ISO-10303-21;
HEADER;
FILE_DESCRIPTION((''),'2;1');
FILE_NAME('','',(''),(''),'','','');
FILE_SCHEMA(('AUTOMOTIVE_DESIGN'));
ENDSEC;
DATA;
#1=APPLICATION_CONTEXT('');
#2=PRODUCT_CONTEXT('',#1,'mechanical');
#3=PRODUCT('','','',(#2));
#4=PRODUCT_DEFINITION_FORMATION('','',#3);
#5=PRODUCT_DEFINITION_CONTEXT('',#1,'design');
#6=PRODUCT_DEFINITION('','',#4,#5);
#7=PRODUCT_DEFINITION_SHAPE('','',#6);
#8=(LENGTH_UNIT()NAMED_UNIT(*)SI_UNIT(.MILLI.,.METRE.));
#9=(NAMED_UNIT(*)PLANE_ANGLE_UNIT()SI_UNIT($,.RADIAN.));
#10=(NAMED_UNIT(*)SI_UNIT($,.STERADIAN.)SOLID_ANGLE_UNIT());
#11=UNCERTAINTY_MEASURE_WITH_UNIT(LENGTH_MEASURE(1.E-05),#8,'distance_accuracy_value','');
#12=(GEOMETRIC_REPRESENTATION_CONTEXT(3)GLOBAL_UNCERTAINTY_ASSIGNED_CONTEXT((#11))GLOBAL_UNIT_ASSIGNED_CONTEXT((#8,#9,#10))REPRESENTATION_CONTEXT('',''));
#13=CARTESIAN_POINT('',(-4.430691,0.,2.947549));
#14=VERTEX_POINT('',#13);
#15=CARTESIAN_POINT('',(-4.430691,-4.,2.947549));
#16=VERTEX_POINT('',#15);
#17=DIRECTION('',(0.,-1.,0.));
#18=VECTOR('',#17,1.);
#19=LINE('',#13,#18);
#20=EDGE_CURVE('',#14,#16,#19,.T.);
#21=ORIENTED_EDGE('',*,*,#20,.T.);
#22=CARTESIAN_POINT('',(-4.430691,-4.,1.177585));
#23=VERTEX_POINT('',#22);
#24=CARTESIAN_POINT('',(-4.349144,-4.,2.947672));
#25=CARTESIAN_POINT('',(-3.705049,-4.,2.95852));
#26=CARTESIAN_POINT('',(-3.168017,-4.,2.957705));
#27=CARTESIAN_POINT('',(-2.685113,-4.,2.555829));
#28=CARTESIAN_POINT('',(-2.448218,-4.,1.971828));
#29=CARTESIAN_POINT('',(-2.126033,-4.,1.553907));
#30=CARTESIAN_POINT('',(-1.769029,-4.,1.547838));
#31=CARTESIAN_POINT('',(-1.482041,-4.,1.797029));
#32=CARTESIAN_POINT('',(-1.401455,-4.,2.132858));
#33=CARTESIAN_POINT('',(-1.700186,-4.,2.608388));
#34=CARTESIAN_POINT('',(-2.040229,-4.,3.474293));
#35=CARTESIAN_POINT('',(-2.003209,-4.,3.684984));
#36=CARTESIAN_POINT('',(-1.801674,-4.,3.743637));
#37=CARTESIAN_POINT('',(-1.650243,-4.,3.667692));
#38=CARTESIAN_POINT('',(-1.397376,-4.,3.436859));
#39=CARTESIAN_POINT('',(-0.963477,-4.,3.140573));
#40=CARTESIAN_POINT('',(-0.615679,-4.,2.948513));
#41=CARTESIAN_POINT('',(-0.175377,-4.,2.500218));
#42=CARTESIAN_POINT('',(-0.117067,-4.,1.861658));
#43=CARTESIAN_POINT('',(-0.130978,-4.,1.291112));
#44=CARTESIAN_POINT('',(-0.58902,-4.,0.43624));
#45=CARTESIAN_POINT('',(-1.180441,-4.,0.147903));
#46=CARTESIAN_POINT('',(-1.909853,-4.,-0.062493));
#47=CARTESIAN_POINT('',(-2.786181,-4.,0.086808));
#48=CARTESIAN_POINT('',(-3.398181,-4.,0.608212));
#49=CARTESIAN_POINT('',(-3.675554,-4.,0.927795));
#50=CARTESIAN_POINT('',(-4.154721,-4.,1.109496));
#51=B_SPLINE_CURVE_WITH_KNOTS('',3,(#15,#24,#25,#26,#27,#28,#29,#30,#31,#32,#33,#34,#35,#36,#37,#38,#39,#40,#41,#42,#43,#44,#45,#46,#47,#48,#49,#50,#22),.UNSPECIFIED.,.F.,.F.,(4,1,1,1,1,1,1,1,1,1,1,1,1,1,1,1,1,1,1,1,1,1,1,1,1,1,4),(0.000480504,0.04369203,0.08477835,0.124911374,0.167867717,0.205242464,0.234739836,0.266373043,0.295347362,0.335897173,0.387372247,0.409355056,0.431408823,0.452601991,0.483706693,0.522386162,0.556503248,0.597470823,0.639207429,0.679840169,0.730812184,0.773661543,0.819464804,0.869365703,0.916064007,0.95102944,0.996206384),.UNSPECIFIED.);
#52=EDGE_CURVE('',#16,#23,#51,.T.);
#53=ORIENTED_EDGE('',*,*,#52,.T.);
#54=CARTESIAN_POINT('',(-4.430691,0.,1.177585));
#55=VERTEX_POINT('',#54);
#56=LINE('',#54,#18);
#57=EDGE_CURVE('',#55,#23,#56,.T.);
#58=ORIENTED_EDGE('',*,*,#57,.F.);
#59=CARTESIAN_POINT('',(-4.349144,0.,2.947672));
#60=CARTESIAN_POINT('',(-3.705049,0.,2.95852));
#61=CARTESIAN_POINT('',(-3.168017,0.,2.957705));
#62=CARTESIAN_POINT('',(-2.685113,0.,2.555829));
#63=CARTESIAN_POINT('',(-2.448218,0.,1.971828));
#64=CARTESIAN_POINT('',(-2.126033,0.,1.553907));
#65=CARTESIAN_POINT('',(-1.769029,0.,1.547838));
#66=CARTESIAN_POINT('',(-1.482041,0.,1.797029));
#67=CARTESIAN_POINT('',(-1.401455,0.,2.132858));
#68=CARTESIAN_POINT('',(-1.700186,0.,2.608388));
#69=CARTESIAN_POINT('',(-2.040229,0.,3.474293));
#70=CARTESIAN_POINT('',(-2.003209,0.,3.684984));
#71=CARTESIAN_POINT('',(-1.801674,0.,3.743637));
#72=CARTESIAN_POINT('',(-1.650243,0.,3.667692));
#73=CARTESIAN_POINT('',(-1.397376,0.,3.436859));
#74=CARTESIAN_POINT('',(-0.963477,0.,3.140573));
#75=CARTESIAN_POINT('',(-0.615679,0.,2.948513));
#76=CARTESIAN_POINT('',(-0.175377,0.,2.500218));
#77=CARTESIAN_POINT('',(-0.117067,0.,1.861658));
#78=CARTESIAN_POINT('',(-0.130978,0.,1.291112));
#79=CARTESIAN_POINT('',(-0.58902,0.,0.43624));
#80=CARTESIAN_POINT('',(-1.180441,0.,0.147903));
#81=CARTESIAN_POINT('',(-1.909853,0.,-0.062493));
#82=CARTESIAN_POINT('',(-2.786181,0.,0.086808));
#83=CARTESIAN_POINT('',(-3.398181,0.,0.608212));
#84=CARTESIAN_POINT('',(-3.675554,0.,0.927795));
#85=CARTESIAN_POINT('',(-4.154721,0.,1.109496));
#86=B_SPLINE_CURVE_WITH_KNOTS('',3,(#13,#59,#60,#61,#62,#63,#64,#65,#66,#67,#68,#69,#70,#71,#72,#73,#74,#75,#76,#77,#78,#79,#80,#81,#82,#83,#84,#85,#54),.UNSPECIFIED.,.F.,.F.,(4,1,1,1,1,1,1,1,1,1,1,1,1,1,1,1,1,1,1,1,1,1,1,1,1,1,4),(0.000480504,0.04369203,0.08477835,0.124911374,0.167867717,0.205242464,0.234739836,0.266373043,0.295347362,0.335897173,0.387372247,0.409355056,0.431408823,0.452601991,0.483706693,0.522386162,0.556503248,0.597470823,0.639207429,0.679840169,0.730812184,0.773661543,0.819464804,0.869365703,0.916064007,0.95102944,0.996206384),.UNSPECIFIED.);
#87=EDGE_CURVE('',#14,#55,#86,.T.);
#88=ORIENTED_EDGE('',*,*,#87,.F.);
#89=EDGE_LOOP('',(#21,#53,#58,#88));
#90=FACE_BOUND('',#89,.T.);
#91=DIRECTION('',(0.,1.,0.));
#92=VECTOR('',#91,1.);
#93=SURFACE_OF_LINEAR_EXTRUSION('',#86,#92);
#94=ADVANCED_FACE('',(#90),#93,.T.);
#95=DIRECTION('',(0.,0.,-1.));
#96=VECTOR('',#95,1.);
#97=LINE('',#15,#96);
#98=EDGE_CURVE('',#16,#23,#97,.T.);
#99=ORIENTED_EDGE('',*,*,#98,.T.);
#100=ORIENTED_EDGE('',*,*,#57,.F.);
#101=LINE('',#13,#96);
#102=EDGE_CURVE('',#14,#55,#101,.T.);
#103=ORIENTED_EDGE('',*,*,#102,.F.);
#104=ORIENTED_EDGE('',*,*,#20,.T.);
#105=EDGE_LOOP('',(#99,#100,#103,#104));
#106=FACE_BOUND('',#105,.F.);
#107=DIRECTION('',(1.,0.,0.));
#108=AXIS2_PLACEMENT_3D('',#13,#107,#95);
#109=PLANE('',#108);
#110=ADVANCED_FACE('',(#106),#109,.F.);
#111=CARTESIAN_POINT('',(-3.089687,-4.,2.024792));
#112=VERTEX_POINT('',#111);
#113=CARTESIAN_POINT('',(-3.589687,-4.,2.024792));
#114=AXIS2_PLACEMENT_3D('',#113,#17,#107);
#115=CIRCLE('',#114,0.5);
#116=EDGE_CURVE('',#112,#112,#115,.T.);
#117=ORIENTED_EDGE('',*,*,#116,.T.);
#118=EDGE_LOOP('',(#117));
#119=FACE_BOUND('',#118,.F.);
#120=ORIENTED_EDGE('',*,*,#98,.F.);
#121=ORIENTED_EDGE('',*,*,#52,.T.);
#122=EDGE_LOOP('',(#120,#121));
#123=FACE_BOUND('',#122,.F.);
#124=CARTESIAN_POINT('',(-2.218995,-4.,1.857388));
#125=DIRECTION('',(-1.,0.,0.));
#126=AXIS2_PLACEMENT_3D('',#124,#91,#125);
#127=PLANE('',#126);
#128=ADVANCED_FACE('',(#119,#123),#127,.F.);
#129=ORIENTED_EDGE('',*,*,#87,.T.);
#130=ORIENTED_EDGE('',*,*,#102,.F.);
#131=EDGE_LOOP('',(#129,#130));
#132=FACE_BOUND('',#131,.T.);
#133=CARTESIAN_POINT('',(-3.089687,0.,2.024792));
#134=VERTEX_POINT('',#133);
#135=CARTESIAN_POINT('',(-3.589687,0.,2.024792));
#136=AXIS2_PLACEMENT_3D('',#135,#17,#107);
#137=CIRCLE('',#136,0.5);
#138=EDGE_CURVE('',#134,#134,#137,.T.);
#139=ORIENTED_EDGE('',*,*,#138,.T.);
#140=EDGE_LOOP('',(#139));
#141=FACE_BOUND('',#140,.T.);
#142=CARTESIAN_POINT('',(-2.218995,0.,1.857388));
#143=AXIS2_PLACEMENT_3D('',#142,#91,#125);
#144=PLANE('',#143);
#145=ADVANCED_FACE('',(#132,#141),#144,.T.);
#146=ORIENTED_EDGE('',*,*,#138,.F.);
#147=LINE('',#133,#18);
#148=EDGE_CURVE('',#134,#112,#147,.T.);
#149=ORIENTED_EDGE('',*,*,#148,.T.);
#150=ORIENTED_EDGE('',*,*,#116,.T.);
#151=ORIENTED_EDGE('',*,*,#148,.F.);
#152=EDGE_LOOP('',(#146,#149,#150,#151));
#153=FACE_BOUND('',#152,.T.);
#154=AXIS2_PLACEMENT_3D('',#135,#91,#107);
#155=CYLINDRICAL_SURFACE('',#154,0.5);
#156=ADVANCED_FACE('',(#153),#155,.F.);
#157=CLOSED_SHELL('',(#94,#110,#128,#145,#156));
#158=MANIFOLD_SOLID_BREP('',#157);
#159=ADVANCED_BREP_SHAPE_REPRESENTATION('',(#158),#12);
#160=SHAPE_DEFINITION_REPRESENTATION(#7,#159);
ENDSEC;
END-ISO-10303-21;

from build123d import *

# Parameters (mm, degrees)
F0_R     = 0.7094560546
F0_R_2   = 0.5
F1_DEPTH = 4


with BuildPart() as f1:
    # F0 (on Front) → F1 (new body)
    with BuildSketch(Plane.XZ):
        with BuildLine():
            add(Edge.make_bspline(
                [(-4.4306910748, 2.9475490386), (-4.3491435639, 2.9476718808), (-3.705049028, 2.958519871), (-3.1680169177, 2.9577054221), (-2.6851131981, 2.5558288019), (-2.4482182523, 1.9718276397), (-2.1260332944, 1.5539071519), (-1.7690293676, 1.5478375808), (-1.4820411302, 1.7970291772), (-1.4014552491, 2.1328583364), (-1.700186104, 2.6083877166), (-2.0402290563, 3.4742932446), (-2.0032086877, 3.6849842917), (-1.8016742517, 3.7436369482), (-1.6502426097, 3.667692441), (-1.3973762605, 3.4368590671), (-0.9634767019, 3.1405726412), (-0.6156792117, 2.9485126864), (-0.1753774965, 2.5002182363), (-0.1170668717, 1.8616584461), (-0.130977876, 1.2911124545), (-0.5890203884, 0.436239718), (-1.1804411227, 0.147902814), (-1.9098530558, -0.0624928493), (-2.7861810849, 0.0868081216), (-3.3981807411, 0.6082116618), (-3.6755541685, 0.927794881), (-4.1547214095, 1.1094963724), (-4.4306910748, 1.177585282)],
                knots=[0.0004805039, 0.0004805039, 0.0004805039, 0.0004805039, 0.0436920299, 0.0847783499, 0.1249113744, 0.1678677169, 0.2052424642, 0.2347398356, 0.2663730429, 0.2953473616, 0.3358971735, 0.3873722466, 0.4093550564, 0.4314088229, 0.452601991, 0.483706693, 0.5223861616, 0.5565032475, 0.5974708227, 0.6392074293, 0.6798401691, 0.7308121841, 0.7736615434, 0.8194648044, 0.869365703, 0.916064007, 0.9510294396, 0.9962063842, 0.9962063842, 0.9962063842, 0.9962063842], degree=3))
            Line((-4.4306910748, 2.9475490386), (-4.4306910748, 1.177585282))
        make_face()
        with Locations((-3.5896868685, 2.024792233)):
            Circle(F0_R, mode=Mode.SUBTRACT)
        with Locations((-3.5896868685, 2.024792233)):
            Circle(F0_R)
        with Locations((-3.5896868685, 2.024792233)):
            Circle(F0_R_2, mode=Mode.SUBTRACT)
    extrude(amount=F1_DEPTH)


solid = f1.part
